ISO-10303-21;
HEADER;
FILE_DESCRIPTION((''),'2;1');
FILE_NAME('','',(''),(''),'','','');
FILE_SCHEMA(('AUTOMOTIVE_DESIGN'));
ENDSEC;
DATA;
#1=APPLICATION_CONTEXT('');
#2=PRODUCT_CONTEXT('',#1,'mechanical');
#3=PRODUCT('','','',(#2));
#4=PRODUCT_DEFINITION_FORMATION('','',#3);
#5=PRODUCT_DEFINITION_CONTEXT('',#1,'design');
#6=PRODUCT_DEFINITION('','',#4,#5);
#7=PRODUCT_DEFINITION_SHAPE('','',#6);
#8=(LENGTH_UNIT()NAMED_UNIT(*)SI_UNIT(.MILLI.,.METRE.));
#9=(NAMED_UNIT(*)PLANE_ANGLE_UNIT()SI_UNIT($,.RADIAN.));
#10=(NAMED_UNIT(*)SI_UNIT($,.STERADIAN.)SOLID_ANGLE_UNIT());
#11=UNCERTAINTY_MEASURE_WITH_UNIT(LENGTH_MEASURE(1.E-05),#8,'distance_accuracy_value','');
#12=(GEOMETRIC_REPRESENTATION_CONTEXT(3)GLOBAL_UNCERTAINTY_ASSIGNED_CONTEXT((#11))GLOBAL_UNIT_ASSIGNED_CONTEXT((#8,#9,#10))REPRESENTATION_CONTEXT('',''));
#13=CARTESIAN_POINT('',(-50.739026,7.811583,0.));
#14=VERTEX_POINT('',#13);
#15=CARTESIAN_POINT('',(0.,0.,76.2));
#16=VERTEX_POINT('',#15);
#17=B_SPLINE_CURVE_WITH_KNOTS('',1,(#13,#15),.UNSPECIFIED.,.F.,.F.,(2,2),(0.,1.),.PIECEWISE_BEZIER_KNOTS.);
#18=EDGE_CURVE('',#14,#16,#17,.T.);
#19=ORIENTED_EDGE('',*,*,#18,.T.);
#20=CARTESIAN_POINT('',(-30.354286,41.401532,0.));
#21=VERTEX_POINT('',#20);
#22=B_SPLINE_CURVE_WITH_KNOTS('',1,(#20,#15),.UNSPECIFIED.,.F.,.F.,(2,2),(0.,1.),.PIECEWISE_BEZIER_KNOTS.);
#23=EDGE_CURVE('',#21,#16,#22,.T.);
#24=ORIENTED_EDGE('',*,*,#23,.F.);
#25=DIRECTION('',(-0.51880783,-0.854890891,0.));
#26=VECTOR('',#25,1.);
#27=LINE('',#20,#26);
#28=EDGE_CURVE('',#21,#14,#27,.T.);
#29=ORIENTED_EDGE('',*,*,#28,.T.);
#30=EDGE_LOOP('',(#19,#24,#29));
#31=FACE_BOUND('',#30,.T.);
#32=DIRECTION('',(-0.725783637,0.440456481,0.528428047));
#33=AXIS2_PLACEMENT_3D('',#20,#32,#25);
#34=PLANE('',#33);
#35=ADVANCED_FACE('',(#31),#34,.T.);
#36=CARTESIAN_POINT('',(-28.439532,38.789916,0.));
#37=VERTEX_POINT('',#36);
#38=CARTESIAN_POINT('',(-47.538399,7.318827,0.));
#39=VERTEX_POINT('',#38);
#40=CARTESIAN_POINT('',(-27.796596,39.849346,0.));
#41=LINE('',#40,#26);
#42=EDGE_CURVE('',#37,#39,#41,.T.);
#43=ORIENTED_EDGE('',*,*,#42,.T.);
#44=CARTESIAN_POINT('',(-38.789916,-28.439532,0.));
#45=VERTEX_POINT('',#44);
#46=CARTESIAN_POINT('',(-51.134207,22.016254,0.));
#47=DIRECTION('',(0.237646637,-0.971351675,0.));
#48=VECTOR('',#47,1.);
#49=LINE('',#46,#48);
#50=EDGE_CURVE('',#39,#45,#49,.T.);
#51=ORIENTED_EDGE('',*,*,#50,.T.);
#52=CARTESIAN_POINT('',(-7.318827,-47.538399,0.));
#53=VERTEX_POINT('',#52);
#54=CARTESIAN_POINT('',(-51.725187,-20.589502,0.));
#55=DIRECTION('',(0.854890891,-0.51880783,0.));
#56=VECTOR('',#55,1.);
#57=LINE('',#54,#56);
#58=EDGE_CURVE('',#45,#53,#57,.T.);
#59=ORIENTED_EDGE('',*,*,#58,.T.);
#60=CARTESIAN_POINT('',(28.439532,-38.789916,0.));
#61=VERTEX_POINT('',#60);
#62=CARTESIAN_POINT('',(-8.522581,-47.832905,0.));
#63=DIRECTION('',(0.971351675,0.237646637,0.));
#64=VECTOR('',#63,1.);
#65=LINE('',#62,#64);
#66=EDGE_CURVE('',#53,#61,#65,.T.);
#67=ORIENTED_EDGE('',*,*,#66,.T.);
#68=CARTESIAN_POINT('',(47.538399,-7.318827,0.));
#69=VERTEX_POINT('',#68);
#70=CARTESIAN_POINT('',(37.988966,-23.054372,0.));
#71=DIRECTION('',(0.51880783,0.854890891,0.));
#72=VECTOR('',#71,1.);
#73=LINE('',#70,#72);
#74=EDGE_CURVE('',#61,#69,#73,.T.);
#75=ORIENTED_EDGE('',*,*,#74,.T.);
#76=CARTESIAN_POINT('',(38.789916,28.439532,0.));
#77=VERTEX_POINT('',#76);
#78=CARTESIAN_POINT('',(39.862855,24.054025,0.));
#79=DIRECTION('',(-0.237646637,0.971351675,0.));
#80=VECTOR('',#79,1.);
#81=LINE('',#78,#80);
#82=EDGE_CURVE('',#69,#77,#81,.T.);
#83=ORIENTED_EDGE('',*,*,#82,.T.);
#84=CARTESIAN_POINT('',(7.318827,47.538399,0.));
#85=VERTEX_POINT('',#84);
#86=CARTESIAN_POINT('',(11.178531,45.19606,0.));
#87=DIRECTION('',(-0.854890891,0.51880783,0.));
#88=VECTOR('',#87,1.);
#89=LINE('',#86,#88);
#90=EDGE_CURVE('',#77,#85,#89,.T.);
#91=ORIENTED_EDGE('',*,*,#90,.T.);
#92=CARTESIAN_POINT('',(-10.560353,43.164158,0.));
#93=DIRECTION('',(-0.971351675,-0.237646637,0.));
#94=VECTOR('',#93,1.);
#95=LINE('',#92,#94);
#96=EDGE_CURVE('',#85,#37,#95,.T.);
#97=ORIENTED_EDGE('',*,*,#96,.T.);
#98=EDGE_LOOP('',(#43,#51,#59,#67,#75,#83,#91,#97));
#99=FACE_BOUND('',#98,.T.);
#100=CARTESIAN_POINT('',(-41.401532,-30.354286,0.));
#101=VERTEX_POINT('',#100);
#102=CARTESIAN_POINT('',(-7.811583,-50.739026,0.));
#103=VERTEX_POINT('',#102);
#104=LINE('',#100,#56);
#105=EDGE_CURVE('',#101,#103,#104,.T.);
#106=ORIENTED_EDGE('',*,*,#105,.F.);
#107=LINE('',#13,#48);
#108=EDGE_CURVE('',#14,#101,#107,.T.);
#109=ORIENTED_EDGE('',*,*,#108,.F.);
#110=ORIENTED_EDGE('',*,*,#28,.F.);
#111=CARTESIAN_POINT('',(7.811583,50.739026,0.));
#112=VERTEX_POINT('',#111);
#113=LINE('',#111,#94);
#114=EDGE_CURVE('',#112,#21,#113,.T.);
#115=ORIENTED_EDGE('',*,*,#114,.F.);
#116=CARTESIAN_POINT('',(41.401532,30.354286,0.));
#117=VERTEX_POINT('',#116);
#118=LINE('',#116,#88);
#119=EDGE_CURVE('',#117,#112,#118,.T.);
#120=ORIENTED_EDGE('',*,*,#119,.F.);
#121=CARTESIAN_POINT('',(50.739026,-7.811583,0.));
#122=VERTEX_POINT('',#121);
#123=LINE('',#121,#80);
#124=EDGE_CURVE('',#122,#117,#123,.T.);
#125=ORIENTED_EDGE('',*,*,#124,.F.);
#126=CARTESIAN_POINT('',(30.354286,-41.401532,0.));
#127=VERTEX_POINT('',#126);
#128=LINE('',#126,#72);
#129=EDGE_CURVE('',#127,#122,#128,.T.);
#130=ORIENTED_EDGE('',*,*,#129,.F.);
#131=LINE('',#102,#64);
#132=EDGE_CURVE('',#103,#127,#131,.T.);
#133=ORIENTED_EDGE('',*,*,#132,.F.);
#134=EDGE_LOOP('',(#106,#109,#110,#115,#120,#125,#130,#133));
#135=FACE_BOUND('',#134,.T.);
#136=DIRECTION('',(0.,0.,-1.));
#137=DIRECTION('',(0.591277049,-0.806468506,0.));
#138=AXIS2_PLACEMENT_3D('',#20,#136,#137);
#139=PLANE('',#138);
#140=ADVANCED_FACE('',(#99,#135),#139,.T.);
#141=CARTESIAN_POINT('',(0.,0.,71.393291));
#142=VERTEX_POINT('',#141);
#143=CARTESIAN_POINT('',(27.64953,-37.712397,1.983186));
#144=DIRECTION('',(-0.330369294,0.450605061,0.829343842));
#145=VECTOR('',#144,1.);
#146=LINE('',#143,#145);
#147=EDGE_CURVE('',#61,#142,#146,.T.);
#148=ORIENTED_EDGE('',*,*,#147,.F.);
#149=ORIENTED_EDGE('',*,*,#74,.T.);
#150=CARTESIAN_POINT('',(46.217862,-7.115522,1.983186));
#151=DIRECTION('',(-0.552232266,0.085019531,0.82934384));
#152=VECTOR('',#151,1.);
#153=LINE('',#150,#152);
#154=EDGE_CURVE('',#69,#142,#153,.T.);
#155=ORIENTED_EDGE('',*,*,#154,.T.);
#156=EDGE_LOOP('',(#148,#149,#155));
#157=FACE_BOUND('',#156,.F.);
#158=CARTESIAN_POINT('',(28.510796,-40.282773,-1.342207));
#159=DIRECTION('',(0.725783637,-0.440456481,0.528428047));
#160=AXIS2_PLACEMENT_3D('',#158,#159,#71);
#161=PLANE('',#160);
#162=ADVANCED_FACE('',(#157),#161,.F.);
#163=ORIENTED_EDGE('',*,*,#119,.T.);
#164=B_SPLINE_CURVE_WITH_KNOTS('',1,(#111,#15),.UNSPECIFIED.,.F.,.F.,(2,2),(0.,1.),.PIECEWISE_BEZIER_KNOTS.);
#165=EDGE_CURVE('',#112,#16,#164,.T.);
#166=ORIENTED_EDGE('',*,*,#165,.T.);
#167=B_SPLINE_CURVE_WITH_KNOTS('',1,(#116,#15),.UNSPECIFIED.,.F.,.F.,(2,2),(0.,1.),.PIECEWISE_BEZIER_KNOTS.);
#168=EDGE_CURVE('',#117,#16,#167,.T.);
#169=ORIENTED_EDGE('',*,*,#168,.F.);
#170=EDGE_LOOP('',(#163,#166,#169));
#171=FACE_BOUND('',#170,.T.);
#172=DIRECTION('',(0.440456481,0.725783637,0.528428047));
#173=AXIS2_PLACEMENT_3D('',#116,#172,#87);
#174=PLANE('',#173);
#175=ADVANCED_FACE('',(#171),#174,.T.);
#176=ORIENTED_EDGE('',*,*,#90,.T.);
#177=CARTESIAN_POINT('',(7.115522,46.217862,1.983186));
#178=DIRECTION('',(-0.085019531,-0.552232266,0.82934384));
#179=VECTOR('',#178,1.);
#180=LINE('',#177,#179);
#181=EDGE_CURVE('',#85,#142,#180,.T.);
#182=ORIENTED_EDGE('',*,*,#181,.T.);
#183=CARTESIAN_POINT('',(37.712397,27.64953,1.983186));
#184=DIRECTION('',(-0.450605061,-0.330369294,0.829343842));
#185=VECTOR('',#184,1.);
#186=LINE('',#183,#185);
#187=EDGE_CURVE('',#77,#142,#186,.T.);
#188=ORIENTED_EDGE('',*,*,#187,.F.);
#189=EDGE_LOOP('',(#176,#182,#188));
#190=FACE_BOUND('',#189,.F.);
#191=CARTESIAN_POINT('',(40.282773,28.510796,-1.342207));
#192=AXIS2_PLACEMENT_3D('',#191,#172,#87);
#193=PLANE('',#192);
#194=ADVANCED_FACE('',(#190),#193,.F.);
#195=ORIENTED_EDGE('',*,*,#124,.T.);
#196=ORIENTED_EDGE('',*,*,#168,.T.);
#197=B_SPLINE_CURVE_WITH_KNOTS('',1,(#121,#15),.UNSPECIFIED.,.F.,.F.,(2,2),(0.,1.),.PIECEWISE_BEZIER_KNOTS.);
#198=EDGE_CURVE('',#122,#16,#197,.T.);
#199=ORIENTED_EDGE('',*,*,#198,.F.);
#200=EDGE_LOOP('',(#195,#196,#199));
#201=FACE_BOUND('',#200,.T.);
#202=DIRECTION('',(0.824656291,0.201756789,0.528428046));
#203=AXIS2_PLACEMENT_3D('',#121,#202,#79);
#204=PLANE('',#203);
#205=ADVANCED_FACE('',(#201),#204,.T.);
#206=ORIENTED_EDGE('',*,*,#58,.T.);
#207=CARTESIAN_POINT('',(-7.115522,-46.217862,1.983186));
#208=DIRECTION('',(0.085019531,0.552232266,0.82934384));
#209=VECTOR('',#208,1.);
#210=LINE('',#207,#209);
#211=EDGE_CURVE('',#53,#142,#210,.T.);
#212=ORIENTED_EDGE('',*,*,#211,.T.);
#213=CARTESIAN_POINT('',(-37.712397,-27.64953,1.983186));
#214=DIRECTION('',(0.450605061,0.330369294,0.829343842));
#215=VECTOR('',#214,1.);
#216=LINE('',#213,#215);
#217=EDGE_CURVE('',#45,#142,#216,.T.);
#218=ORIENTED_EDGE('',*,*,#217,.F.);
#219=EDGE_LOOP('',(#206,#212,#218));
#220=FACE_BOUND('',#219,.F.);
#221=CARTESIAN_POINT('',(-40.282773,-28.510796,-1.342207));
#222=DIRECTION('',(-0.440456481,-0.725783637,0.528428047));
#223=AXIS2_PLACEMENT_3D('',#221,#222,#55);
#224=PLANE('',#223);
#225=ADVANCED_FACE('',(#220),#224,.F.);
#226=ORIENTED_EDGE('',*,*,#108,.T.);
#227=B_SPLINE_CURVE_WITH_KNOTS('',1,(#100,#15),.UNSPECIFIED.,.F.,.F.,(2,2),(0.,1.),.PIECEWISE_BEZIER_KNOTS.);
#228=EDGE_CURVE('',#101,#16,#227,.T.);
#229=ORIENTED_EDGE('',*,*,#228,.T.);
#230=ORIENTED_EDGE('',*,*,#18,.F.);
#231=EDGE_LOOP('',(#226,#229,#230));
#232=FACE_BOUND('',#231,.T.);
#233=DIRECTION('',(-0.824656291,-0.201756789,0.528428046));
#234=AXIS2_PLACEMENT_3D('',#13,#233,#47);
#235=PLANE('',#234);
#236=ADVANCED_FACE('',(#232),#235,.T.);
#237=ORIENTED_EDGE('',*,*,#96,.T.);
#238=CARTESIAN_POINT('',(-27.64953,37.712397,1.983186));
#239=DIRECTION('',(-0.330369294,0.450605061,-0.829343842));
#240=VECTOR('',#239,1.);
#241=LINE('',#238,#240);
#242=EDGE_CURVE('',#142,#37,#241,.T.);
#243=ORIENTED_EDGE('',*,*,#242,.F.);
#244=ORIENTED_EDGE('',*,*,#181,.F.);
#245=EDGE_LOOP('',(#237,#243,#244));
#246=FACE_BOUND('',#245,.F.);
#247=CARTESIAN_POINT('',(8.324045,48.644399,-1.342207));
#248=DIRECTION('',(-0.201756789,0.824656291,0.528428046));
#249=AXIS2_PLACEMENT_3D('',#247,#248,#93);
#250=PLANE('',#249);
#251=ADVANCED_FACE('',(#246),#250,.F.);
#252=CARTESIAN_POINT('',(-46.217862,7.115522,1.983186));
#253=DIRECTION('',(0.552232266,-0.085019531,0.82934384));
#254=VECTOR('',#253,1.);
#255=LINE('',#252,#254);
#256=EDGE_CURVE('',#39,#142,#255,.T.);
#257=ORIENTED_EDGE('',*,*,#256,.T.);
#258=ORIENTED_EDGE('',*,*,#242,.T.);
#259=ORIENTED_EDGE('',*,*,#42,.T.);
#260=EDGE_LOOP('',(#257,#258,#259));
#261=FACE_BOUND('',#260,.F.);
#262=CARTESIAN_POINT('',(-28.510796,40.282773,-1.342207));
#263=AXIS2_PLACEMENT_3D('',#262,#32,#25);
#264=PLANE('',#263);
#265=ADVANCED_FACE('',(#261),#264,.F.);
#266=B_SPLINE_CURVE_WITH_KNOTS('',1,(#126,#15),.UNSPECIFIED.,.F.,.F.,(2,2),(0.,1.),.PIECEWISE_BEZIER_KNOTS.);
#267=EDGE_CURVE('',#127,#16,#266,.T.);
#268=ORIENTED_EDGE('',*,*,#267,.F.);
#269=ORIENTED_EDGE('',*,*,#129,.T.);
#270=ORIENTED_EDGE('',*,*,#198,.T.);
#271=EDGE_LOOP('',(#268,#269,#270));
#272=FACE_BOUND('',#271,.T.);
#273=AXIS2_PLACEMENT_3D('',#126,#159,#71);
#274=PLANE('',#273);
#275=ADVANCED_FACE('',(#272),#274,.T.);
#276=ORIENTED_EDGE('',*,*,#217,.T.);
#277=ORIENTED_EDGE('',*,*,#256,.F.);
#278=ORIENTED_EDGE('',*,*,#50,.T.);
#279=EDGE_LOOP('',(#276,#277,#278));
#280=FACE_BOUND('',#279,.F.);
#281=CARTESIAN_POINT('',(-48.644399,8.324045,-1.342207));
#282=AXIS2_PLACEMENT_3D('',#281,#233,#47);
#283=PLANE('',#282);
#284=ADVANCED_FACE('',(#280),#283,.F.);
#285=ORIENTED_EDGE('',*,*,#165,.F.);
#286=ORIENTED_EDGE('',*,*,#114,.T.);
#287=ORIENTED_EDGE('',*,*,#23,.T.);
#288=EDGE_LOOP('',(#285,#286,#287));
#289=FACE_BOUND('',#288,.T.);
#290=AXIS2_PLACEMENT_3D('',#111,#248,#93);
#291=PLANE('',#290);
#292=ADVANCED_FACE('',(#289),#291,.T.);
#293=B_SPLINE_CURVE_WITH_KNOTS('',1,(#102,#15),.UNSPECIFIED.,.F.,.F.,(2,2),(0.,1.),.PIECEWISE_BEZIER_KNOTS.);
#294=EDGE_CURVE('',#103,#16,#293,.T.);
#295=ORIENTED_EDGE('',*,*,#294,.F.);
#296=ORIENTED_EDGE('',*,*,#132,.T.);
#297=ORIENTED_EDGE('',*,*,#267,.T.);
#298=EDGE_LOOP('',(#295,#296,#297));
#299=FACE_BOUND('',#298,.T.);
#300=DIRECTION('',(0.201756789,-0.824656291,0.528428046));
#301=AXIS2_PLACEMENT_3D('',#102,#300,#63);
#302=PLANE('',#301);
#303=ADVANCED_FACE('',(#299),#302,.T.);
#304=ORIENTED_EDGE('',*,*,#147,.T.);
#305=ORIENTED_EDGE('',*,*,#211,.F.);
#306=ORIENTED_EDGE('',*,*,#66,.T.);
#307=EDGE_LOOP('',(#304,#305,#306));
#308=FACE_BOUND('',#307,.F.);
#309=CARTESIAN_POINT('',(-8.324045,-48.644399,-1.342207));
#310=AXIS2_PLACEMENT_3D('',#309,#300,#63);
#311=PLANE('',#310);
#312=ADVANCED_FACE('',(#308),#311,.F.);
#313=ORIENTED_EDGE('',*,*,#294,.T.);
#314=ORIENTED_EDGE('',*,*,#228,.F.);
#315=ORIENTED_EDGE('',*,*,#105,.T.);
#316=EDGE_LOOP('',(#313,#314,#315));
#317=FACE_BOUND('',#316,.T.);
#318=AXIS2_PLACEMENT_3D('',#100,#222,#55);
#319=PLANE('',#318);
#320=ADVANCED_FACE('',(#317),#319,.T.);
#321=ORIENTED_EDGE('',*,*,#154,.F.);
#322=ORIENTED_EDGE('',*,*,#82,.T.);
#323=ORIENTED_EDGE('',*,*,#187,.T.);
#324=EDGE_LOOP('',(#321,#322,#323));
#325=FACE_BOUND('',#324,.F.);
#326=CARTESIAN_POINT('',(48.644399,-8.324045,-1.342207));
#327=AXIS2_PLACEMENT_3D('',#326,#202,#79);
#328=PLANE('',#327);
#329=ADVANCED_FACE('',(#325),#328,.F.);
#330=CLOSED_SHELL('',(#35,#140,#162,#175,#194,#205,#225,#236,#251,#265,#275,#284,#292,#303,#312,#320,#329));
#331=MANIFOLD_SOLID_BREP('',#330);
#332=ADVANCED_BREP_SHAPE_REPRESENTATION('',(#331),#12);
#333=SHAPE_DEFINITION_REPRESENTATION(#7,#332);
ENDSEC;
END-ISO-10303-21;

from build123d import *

# Parameters (mm, degrees)
F4_T = -2.54


with BuildPart() as f3:
    # F0 (on Top) → F3 section 0
    with BuildSketch(Plane.XY, mode=Mode.PRIVATE) as f3_s0:
        Polygon((-30.354286, 41.401532), (-50.739026, 7.811583), (-41.401532, -30.354286), (-7.811583, -50.739026), (30.354286, -41.401532), (50.739026, -7.811583), (41.401532, 30.354286), (7.811583, 50.739026), align=None)
    loft([f3_s0.sketch, Vertex(0, 0, 76.2)])

    # F4
    f4_openings = [f3.faces().sort_by_distance(p)[0] for p in [
        (0, 0, 0),
    ]]
    offset(amount=F4_T, openings=f4_openings)


solid = f3.part
